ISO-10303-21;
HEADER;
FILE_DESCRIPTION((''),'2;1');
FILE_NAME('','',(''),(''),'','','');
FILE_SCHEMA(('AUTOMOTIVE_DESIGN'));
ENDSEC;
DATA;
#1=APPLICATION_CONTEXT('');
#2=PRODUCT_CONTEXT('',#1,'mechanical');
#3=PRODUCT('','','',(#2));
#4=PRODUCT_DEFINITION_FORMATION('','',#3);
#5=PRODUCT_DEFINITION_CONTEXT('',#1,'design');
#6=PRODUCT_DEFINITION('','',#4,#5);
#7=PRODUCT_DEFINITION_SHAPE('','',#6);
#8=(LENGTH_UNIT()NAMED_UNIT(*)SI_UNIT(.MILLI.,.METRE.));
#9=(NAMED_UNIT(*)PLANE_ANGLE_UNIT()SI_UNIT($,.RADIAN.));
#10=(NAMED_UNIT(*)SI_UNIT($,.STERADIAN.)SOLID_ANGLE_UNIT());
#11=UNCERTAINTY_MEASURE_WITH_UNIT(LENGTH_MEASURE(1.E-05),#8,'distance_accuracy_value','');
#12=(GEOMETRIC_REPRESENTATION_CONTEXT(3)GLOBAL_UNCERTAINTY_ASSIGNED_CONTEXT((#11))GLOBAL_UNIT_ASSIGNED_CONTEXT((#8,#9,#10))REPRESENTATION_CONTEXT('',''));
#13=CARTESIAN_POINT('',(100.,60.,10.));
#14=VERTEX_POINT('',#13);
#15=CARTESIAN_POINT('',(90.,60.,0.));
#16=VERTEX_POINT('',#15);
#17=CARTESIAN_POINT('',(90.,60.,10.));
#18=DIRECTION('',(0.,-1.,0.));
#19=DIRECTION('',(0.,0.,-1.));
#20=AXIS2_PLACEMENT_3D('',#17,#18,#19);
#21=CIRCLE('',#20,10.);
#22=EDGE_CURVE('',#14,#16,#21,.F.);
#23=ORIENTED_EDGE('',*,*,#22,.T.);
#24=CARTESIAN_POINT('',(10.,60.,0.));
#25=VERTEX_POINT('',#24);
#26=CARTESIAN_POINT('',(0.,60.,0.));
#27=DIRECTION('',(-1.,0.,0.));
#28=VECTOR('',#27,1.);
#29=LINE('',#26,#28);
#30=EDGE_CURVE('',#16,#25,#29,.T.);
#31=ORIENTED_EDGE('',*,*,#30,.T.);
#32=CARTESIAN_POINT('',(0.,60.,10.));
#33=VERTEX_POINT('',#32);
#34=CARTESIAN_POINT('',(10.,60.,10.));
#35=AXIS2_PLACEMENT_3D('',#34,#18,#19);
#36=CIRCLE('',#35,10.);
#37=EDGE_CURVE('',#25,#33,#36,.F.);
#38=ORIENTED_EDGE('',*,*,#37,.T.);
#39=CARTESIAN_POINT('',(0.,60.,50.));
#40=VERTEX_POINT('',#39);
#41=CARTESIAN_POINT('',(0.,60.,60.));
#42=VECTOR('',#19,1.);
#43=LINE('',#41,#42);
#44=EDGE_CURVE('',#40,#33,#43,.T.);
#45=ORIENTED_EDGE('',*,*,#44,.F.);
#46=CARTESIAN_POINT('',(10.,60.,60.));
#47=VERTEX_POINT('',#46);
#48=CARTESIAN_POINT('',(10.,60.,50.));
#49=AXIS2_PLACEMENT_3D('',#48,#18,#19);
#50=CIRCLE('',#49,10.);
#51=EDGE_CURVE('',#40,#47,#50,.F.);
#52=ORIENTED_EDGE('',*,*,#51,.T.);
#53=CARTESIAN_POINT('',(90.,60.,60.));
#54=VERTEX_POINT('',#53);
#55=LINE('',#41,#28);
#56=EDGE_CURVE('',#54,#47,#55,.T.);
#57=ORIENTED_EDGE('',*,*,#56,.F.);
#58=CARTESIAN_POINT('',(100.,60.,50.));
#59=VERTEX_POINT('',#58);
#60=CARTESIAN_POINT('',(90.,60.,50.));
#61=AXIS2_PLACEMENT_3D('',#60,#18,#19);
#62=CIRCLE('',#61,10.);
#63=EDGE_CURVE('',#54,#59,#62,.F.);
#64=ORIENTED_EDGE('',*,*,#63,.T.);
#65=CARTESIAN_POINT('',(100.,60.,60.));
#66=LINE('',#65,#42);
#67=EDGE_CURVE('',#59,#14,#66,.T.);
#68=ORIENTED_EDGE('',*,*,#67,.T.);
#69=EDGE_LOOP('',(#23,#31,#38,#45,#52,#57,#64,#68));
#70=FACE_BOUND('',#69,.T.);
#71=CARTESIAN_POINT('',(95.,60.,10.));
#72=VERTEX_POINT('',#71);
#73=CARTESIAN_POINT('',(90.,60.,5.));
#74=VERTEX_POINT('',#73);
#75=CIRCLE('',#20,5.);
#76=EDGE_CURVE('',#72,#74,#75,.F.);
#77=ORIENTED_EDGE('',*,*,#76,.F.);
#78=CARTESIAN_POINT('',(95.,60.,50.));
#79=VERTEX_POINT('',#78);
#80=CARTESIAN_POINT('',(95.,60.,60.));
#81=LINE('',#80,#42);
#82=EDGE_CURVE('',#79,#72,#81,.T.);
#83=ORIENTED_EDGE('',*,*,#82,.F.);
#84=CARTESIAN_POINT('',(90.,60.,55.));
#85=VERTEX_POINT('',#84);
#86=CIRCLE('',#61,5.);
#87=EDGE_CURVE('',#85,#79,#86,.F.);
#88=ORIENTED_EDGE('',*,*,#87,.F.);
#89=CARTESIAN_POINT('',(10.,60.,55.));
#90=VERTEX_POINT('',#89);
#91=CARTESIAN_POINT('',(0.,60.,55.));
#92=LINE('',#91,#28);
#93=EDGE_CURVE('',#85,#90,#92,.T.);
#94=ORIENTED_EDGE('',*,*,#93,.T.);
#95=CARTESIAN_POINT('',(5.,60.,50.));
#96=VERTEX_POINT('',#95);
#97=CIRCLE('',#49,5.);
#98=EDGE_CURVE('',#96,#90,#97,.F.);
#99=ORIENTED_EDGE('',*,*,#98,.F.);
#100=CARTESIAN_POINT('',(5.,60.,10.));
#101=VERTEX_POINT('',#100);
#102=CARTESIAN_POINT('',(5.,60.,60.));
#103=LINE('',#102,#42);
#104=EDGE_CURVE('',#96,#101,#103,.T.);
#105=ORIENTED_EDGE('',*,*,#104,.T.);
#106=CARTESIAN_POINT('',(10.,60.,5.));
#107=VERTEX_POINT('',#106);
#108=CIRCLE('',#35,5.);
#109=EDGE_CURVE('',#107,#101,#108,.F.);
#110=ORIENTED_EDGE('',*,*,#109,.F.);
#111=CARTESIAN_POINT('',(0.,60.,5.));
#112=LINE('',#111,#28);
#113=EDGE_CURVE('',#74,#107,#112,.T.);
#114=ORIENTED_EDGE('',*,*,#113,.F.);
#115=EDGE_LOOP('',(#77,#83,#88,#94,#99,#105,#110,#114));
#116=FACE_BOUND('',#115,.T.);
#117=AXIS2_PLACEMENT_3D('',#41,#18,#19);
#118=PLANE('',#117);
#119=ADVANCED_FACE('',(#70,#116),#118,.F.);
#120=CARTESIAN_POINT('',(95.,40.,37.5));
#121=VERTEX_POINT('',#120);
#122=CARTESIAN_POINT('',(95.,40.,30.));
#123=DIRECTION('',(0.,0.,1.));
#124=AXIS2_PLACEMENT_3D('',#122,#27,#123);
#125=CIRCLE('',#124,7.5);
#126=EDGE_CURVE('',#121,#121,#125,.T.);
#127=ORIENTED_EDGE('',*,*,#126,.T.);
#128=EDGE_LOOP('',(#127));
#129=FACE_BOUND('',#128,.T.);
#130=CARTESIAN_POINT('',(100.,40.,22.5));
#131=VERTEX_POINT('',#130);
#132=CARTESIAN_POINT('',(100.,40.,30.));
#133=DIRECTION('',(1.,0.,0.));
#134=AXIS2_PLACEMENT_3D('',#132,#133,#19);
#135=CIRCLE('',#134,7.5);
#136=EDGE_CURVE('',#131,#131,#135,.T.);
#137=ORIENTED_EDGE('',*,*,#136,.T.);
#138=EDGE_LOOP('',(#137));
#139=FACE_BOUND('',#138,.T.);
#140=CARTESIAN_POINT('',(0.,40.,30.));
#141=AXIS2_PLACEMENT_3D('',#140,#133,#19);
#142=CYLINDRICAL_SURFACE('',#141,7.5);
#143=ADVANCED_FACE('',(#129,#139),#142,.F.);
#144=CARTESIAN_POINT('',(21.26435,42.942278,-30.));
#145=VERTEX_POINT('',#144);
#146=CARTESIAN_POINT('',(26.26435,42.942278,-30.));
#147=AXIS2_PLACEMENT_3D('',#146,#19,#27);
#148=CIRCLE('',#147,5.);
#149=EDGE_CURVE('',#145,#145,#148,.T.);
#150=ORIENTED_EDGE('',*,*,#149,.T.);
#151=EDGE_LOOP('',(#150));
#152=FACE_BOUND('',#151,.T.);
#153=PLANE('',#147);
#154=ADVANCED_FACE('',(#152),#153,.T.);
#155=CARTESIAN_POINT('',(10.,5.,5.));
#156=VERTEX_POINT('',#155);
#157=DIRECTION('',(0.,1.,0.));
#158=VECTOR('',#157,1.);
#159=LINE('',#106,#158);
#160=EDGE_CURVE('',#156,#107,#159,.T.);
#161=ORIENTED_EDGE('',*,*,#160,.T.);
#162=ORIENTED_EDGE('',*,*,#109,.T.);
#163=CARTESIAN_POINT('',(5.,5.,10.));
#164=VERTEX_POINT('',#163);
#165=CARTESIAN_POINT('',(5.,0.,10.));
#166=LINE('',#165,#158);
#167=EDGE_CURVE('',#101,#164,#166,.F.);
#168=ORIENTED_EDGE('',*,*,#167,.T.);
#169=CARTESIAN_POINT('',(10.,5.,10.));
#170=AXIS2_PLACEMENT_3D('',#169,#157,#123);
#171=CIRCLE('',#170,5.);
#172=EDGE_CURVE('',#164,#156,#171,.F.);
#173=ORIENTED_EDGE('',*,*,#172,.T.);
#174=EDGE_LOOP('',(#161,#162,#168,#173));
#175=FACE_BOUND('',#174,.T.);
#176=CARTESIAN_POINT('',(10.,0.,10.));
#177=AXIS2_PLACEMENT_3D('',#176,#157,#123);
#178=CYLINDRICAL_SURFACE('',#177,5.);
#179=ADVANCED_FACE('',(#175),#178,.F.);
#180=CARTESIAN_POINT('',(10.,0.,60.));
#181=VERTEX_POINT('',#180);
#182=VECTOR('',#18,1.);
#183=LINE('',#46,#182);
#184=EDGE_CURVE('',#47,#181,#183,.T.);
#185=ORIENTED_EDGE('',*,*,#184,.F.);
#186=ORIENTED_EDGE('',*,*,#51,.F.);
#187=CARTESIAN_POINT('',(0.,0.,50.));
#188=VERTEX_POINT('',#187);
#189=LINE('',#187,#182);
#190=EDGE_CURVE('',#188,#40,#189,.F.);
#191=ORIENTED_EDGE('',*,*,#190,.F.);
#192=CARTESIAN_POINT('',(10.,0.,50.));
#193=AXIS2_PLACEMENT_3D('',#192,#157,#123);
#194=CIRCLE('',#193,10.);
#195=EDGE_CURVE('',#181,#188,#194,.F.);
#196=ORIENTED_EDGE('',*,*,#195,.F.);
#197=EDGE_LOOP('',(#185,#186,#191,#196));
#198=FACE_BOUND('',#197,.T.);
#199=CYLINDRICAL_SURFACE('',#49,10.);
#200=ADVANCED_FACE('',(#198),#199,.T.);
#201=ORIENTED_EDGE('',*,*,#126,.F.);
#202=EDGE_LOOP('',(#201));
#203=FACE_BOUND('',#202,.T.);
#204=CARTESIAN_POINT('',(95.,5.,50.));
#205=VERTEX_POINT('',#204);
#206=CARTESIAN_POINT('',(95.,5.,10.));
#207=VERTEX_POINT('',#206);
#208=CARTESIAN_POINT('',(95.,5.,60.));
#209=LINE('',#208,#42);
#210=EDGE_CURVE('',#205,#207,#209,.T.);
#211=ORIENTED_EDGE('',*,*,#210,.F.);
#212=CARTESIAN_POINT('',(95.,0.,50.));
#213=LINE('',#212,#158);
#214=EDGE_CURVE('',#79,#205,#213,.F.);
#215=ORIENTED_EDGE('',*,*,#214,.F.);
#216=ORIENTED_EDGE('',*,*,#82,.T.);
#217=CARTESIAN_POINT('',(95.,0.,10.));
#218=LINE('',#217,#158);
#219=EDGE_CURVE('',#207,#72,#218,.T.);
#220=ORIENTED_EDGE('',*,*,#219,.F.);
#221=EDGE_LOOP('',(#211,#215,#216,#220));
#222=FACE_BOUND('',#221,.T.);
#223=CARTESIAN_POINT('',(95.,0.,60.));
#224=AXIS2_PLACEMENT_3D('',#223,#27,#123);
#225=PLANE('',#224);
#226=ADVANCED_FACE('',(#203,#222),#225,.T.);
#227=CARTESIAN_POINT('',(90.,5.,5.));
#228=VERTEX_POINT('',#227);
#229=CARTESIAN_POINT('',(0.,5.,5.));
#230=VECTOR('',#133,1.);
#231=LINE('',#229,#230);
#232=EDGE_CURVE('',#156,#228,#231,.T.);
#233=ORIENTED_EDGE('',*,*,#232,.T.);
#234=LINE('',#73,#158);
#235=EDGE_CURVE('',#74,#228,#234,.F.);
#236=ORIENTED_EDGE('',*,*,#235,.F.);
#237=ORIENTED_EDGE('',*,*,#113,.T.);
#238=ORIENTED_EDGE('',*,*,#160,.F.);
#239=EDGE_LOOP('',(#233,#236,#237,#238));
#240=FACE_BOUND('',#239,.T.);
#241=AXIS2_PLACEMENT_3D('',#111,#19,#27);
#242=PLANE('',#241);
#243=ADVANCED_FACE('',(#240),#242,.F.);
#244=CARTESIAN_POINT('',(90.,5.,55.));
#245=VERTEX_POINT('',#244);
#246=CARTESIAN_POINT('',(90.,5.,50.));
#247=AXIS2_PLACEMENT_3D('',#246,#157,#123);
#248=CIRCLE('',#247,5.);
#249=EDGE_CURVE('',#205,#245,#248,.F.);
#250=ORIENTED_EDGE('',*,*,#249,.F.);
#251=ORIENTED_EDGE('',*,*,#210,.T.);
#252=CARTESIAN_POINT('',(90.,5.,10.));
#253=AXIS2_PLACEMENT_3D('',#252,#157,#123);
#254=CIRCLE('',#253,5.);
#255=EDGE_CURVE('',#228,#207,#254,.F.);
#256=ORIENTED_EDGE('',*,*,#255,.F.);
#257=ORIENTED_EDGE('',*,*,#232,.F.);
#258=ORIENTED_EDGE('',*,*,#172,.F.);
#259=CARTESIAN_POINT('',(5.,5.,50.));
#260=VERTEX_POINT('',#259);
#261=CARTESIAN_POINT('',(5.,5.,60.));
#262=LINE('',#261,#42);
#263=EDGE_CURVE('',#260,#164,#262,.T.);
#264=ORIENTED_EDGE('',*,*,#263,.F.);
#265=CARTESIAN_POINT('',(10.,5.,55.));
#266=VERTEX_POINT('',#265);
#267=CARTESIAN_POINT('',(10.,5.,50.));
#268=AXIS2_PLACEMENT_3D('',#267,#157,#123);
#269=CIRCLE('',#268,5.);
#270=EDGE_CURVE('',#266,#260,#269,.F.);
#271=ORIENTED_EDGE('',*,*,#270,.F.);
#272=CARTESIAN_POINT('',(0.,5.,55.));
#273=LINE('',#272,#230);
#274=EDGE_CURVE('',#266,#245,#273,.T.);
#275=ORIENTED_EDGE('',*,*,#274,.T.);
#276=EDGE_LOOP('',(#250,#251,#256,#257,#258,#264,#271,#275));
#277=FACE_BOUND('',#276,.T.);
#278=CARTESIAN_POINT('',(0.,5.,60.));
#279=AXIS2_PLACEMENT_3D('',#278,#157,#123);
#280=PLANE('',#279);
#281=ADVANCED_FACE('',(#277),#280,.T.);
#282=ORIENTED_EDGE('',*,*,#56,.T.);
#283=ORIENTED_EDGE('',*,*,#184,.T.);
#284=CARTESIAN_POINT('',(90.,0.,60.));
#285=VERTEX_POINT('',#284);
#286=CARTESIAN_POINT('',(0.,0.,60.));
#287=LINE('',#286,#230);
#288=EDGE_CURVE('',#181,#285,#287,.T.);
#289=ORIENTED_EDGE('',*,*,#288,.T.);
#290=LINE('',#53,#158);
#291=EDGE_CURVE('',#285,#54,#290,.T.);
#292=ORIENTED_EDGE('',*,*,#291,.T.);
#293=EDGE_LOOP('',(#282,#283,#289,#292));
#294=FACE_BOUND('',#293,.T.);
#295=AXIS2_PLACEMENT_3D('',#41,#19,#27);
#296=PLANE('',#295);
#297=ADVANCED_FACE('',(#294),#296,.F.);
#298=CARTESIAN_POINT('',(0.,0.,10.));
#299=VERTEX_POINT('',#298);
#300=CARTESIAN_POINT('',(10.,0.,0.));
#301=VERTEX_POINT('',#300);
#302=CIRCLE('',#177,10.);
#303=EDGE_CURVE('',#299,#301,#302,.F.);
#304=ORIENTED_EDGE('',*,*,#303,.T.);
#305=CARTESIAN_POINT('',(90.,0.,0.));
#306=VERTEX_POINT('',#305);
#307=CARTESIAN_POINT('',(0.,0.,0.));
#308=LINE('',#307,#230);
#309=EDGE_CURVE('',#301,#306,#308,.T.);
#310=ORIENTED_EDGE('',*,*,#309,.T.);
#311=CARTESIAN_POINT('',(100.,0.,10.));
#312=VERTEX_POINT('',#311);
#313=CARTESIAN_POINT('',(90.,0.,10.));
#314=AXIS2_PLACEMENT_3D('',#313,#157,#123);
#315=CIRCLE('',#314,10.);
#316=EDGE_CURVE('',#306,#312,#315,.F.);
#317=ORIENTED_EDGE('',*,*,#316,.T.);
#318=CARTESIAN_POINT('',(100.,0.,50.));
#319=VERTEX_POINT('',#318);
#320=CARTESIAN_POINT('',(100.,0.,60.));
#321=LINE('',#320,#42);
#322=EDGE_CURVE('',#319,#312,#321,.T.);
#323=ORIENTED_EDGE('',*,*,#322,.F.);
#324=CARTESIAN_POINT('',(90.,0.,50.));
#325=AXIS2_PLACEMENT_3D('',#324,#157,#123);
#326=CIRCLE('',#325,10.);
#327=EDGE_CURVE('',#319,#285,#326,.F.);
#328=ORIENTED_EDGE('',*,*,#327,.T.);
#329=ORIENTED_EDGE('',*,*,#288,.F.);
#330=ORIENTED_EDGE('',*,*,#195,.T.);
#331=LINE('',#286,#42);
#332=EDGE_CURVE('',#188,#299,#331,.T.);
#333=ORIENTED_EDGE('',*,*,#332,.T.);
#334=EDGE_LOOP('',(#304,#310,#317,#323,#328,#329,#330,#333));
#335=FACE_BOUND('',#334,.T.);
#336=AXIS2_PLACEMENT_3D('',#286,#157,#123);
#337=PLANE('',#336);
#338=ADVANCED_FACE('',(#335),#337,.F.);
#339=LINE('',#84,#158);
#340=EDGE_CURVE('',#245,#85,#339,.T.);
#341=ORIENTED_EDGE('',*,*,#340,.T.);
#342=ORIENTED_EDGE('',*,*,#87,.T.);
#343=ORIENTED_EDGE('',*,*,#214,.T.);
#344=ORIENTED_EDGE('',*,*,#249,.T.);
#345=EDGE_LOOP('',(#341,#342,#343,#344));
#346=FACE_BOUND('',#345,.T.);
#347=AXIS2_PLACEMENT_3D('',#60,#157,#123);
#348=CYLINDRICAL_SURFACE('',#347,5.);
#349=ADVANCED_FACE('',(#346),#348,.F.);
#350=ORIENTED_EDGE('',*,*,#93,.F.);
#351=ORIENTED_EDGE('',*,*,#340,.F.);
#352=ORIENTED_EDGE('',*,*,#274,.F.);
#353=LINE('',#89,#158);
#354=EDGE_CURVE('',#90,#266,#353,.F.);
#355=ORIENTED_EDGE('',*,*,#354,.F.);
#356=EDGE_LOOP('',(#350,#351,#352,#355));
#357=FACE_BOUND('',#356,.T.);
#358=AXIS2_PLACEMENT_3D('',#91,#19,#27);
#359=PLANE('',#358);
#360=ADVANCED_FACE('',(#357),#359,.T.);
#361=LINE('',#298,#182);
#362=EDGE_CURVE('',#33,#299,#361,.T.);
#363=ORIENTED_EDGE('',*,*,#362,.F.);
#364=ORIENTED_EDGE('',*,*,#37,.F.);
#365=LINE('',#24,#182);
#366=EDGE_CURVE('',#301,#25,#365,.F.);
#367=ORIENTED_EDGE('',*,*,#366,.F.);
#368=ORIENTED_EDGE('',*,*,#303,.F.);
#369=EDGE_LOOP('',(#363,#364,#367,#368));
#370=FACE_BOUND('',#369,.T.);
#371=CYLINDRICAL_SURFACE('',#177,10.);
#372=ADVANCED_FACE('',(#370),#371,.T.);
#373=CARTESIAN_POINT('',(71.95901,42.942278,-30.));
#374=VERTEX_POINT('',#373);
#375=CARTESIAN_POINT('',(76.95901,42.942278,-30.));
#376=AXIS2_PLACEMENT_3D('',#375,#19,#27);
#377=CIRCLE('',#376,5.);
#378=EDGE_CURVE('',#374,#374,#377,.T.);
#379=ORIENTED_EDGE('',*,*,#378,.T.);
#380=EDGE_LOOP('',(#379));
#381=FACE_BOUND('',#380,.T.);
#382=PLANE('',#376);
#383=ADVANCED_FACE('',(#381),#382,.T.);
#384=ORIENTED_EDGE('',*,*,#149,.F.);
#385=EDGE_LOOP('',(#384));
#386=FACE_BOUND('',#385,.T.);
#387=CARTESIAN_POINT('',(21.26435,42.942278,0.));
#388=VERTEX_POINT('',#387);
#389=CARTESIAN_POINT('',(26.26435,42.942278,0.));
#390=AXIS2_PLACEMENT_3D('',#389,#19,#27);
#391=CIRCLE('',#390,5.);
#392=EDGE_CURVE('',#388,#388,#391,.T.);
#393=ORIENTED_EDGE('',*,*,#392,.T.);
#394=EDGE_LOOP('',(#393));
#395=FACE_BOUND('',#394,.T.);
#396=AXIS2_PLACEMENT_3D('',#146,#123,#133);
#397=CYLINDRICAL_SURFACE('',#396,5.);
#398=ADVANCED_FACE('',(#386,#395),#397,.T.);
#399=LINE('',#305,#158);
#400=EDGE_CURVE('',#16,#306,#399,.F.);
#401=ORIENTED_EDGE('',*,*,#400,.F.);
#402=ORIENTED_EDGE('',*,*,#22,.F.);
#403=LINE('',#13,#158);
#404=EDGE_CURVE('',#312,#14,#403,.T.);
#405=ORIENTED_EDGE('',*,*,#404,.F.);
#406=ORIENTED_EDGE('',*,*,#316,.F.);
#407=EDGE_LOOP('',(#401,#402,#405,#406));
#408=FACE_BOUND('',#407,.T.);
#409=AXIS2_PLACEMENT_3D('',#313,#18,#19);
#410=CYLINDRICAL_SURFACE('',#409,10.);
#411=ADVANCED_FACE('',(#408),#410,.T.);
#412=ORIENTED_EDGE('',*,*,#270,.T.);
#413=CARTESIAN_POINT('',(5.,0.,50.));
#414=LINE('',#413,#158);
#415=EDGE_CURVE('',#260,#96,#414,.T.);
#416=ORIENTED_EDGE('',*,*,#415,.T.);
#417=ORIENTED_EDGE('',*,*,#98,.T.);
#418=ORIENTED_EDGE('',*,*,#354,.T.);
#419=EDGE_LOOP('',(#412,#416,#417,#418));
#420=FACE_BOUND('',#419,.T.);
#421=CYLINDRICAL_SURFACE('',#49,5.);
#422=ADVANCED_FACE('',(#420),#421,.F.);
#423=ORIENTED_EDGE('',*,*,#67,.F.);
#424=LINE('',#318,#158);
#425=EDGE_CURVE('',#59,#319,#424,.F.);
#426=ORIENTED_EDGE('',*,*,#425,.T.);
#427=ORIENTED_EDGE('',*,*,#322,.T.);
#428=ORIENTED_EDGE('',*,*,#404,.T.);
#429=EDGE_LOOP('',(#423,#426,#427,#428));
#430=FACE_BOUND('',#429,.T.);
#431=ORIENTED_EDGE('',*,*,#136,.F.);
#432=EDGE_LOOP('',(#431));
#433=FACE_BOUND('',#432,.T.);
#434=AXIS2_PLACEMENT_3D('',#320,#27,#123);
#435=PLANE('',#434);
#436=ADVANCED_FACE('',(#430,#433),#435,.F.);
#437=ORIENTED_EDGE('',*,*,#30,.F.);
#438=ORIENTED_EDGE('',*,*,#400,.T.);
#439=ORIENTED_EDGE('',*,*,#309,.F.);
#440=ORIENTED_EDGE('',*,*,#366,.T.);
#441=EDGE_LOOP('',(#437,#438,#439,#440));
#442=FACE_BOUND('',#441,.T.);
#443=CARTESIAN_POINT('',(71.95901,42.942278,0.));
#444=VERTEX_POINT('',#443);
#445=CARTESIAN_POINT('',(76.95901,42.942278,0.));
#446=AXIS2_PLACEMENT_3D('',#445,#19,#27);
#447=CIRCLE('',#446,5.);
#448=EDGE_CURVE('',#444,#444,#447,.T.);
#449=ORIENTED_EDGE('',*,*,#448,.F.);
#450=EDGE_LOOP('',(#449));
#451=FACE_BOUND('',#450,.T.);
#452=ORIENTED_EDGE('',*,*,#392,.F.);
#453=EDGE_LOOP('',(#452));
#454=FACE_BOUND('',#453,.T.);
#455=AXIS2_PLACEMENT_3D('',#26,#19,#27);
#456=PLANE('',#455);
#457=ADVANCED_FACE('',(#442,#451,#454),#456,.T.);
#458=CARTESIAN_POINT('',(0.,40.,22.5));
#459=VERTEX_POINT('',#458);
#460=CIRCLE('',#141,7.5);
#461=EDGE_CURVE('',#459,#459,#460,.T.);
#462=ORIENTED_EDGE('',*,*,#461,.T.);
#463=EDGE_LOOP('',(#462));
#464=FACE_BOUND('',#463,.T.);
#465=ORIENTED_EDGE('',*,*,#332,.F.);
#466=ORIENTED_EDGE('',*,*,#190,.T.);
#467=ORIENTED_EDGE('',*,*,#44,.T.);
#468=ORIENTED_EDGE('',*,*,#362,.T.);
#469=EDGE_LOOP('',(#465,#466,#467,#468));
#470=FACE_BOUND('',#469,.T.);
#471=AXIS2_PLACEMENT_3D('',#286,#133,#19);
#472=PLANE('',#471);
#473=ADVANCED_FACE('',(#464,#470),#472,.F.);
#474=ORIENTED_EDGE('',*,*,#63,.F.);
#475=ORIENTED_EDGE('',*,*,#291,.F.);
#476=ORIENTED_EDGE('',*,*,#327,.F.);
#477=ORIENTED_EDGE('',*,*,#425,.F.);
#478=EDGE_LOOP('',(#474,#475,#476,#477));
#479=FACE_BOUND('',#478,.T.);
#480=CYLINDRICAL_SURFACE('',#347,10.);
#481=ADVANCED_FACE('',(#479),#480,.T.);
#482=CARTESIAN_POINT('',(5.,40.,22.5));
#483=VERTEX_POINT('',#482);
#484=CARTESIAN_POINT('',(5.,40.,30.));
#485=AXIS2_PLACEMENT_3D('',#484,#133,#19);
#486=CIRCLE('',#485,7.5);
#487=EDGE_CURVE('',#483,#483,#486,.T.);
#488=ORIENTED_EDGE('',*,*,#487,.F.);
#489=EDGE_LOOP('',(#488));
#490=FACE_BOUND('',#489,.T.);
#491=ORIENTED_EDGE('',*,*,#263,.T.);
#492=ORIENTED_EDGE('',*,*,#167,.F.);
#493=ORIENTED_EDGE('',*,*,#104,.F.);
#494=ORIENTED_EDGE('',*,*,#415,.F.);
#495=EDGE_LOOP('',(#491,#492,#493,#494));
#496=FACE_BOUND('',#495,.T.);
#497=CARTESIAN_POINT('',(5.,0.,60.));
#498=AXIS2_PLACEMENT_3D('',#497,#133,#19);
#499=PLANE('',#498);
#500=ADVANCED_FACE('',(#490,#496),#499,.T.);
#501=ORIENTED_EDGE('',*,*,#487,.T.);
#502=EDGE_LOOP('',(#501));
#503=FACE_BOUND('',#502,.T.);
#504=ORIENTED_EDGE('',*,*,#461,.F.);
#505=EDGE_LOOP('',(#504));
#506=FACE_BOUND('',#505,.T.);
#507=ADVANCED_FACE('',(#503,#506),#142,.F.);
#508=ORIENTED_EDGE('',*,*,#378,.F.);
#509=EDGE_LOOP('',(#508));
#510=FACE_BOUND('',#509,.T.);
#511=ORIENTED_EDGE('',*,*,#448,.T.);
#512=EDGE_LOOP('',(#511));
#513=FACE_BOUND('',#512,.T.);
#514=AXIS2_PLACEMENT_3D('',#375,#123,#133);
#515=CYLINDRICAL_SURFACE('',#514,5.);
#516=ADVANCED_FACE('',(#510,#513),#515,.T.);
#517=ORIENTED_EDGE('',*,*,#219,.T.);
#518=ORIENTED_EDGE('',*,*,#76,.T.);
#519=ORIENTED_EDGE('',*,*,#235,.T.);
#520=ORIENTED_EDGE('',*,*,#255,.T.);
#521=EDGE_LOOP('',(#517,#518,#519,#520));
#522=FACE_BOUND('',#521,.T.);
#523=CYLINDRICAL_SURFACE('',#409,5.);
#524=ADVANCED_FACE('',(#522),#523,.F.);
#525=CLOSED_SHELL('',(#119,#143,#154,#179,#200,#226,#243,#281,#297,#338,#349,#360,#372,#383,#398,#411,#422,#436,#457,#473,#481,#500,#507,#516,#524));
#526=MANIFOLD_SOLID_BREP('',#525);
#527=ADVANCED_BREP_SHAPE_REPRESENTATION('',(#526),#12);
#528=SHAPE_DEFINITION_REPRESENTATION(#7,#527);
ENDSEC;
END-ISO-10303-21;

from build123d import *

# Parameters (mm, degrees)
SKICA1_W                 = 100
SKICA1_H                 = 60
VYSUNOUT1_DEPTH          = 60
ZAOBLIT1_R               = 10
SKO_EPINA1_T             = -5
SKICA2_R                 = 7.5
ODEBRAT_VYSUNUT_M2_DEPTH = 101
SKICA3_R                 = 5
VYSUNOUT2_DEPTH          = 30


with BuildPart() as part:
    # Skica1 → Vysunout1 (new body)
    with BuildSketch(Plane.XY):
        with Locations((50, 30)):
            Rectangle(SKICA1_W, SKICA1_H)
    extrude(amount=VYSUNOUT1_DEPTH)

    # Zaoblit1
    zaoblit1_edges = [part.edges().sort_by_distance(p)[0] for p in [
        (100, 30, 60),
        (0, 30, 60),
        (100, 30, 0),
        (0, 30, 0),
    ]]
    fillet(zaoblit1_edges, radius=ZAOBLIT1_R)

    # Skořepina1
    sko_epina1_openings = [part.faces().sort_by_distance(p)[0] for p in [
        (50, 60, 30),
    ]]
    offset(amount=SKO_EPINA1_T, openings=sko_epina1_openings, kind=Kind.INTERSECTION)

    # Skica2 → Odebrat vysunutím2 (cut, through all)
    with BuildSketch(Plane(origin=(100, 0, 0), x_dir=(0, 0, -1), z_dir=(1, 0, 0))):
        with Locations((-30, 40)):
            Circle(SKICA2_R)
    extrude(amount=-ODEBRAT_VYSUNUT_M2_DEPTH, mode=Mode.SUBTRACT)

    # Skica3 → Vysunout2 (add)
    with BuildSketch(Plane(origin=(0, 0, 0), x_dir=(-1, 0, 0), z_dir=(0, 0, -1))):
        with Locations((-76.959009894, 42.942278301)):
            Circle(SKICA3_R)
        with Locations((-26.264349984, 42.942278301)):
            Circle(SKICA3_R)
    extrude(amount=VYSUNOUT2_DEPTH)


solid = part.part
